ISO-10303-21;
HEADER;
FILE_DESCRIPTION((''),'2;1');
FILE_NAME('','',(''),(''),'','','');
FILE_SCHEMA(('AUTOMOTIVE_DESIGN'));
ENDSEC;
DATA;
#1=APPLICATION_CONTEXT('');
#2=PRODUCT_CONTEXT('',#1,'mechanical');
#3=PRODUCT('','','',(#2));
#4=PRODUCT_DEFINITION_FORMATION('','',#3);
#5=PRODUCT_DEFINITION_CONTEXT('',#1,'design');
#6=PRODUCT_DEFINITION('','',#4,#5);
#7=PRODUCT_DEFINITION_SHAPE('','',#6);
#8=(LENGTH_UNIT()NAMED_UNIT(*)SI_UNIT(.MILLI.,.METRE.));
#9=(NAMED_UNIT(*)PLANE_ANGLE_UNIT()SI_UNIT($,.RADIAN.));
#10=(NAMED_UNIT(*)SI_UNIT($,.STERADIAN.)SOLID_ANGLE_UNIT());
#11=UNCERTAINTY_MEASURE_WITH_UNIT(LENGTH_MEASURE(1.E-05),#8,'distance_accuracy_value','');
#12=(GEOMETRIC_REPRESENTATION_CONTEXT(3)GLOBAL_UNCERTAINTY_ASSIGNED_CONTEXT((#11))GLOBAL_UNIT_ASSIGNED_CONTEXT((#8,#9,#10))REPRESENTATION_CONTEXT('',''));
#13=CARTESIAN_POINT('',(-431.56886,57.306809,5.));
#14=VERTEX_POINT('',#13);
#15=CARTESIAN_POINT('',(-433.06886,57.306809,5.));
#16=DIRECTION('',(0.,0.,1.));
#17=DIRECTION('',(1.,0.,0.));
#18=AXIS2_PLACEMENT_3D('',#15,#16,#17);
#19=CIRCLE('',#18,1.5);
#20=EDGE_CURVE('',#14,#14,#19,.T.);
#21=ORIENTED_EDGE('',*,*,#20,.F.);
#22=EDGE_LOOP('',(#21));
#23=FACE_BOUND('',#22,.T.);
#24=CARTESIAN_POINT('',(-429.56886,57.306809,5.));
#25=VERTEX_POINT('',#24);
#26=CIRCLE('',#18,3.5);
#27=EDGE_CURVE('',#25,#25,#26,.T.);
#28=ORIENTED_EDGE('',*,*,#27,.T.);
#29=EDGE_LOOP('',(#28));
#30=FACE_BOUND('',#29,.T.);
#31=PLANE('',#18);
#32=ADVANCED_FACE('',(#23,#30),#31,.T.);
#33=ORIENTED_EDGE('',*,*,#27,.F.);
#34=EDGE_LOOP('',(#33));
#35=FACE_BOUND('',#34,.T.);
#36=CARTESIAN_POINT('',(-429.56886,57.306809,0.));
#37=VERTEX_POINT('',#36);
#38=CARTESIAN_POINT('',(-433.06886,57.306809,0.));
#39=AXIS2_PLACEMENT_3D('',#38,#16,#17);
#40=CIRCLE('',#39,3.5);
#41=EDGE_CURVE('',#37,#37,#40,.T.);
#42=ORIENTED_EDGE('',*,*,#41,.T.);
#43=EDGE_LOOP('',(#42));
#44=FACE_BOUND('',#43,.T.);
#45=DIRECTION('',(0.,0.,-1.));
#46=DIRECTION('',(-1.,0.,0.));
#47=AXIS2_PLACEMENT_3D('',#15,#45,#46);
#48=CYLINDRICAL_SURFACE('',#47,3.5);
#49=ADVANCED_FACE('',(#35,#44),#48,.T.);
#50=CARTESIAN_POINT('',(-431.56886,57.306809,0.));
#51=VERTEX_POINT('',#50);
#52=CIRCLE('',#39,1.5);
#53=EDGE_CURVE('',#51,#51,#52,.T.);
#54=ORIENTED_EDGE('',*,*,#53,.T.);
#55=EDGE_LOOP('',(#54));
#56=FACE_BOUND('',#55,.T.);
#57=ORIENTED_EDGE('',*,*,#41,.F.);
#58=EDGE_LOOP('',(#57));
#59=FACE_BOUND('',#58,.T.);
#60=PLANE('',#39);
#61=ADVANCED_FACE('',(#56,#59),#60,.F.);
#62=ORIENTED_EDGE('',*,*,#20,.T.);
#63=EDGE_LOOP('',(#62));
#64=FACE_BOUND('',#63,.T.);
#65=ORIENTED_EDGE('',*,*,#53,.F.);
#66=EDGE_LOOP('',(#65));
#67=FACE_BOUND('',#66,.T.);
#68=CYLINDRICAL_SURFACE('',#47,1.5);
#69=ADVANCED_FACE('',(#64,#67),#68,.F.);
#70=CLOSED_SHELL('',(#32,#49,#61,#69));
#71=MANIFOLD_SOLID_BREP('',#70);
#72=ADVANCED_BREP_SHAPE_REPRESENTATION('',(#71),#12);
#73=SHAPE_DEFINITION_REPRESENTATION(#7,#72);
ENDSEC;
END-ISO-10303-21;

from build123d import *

# Parameters (mm, degrees)
ESQUISSE1_R        = 3.500000067
ESQUISSE1_R_2      = 1.500000067
BOSS_EXTRU_1_DEPTH = 5


with BuildPart() as part:
    # Esquisse1 → Boss.-Extru.1 (new body)
    with BuildSketch(Plane.XY):
        with Locations((-433.068859933, 57.306809003)):
            Circle(ESQUISSE1_R)
        with Locations((-433.068859933, 57.306809003)):
            Circle(ESQUISSE1_R_2, mode=Mode.SUBTRACT)
    extrude(amount=BOSS_EXTRU_1_DEPTH)


solid = part.part
